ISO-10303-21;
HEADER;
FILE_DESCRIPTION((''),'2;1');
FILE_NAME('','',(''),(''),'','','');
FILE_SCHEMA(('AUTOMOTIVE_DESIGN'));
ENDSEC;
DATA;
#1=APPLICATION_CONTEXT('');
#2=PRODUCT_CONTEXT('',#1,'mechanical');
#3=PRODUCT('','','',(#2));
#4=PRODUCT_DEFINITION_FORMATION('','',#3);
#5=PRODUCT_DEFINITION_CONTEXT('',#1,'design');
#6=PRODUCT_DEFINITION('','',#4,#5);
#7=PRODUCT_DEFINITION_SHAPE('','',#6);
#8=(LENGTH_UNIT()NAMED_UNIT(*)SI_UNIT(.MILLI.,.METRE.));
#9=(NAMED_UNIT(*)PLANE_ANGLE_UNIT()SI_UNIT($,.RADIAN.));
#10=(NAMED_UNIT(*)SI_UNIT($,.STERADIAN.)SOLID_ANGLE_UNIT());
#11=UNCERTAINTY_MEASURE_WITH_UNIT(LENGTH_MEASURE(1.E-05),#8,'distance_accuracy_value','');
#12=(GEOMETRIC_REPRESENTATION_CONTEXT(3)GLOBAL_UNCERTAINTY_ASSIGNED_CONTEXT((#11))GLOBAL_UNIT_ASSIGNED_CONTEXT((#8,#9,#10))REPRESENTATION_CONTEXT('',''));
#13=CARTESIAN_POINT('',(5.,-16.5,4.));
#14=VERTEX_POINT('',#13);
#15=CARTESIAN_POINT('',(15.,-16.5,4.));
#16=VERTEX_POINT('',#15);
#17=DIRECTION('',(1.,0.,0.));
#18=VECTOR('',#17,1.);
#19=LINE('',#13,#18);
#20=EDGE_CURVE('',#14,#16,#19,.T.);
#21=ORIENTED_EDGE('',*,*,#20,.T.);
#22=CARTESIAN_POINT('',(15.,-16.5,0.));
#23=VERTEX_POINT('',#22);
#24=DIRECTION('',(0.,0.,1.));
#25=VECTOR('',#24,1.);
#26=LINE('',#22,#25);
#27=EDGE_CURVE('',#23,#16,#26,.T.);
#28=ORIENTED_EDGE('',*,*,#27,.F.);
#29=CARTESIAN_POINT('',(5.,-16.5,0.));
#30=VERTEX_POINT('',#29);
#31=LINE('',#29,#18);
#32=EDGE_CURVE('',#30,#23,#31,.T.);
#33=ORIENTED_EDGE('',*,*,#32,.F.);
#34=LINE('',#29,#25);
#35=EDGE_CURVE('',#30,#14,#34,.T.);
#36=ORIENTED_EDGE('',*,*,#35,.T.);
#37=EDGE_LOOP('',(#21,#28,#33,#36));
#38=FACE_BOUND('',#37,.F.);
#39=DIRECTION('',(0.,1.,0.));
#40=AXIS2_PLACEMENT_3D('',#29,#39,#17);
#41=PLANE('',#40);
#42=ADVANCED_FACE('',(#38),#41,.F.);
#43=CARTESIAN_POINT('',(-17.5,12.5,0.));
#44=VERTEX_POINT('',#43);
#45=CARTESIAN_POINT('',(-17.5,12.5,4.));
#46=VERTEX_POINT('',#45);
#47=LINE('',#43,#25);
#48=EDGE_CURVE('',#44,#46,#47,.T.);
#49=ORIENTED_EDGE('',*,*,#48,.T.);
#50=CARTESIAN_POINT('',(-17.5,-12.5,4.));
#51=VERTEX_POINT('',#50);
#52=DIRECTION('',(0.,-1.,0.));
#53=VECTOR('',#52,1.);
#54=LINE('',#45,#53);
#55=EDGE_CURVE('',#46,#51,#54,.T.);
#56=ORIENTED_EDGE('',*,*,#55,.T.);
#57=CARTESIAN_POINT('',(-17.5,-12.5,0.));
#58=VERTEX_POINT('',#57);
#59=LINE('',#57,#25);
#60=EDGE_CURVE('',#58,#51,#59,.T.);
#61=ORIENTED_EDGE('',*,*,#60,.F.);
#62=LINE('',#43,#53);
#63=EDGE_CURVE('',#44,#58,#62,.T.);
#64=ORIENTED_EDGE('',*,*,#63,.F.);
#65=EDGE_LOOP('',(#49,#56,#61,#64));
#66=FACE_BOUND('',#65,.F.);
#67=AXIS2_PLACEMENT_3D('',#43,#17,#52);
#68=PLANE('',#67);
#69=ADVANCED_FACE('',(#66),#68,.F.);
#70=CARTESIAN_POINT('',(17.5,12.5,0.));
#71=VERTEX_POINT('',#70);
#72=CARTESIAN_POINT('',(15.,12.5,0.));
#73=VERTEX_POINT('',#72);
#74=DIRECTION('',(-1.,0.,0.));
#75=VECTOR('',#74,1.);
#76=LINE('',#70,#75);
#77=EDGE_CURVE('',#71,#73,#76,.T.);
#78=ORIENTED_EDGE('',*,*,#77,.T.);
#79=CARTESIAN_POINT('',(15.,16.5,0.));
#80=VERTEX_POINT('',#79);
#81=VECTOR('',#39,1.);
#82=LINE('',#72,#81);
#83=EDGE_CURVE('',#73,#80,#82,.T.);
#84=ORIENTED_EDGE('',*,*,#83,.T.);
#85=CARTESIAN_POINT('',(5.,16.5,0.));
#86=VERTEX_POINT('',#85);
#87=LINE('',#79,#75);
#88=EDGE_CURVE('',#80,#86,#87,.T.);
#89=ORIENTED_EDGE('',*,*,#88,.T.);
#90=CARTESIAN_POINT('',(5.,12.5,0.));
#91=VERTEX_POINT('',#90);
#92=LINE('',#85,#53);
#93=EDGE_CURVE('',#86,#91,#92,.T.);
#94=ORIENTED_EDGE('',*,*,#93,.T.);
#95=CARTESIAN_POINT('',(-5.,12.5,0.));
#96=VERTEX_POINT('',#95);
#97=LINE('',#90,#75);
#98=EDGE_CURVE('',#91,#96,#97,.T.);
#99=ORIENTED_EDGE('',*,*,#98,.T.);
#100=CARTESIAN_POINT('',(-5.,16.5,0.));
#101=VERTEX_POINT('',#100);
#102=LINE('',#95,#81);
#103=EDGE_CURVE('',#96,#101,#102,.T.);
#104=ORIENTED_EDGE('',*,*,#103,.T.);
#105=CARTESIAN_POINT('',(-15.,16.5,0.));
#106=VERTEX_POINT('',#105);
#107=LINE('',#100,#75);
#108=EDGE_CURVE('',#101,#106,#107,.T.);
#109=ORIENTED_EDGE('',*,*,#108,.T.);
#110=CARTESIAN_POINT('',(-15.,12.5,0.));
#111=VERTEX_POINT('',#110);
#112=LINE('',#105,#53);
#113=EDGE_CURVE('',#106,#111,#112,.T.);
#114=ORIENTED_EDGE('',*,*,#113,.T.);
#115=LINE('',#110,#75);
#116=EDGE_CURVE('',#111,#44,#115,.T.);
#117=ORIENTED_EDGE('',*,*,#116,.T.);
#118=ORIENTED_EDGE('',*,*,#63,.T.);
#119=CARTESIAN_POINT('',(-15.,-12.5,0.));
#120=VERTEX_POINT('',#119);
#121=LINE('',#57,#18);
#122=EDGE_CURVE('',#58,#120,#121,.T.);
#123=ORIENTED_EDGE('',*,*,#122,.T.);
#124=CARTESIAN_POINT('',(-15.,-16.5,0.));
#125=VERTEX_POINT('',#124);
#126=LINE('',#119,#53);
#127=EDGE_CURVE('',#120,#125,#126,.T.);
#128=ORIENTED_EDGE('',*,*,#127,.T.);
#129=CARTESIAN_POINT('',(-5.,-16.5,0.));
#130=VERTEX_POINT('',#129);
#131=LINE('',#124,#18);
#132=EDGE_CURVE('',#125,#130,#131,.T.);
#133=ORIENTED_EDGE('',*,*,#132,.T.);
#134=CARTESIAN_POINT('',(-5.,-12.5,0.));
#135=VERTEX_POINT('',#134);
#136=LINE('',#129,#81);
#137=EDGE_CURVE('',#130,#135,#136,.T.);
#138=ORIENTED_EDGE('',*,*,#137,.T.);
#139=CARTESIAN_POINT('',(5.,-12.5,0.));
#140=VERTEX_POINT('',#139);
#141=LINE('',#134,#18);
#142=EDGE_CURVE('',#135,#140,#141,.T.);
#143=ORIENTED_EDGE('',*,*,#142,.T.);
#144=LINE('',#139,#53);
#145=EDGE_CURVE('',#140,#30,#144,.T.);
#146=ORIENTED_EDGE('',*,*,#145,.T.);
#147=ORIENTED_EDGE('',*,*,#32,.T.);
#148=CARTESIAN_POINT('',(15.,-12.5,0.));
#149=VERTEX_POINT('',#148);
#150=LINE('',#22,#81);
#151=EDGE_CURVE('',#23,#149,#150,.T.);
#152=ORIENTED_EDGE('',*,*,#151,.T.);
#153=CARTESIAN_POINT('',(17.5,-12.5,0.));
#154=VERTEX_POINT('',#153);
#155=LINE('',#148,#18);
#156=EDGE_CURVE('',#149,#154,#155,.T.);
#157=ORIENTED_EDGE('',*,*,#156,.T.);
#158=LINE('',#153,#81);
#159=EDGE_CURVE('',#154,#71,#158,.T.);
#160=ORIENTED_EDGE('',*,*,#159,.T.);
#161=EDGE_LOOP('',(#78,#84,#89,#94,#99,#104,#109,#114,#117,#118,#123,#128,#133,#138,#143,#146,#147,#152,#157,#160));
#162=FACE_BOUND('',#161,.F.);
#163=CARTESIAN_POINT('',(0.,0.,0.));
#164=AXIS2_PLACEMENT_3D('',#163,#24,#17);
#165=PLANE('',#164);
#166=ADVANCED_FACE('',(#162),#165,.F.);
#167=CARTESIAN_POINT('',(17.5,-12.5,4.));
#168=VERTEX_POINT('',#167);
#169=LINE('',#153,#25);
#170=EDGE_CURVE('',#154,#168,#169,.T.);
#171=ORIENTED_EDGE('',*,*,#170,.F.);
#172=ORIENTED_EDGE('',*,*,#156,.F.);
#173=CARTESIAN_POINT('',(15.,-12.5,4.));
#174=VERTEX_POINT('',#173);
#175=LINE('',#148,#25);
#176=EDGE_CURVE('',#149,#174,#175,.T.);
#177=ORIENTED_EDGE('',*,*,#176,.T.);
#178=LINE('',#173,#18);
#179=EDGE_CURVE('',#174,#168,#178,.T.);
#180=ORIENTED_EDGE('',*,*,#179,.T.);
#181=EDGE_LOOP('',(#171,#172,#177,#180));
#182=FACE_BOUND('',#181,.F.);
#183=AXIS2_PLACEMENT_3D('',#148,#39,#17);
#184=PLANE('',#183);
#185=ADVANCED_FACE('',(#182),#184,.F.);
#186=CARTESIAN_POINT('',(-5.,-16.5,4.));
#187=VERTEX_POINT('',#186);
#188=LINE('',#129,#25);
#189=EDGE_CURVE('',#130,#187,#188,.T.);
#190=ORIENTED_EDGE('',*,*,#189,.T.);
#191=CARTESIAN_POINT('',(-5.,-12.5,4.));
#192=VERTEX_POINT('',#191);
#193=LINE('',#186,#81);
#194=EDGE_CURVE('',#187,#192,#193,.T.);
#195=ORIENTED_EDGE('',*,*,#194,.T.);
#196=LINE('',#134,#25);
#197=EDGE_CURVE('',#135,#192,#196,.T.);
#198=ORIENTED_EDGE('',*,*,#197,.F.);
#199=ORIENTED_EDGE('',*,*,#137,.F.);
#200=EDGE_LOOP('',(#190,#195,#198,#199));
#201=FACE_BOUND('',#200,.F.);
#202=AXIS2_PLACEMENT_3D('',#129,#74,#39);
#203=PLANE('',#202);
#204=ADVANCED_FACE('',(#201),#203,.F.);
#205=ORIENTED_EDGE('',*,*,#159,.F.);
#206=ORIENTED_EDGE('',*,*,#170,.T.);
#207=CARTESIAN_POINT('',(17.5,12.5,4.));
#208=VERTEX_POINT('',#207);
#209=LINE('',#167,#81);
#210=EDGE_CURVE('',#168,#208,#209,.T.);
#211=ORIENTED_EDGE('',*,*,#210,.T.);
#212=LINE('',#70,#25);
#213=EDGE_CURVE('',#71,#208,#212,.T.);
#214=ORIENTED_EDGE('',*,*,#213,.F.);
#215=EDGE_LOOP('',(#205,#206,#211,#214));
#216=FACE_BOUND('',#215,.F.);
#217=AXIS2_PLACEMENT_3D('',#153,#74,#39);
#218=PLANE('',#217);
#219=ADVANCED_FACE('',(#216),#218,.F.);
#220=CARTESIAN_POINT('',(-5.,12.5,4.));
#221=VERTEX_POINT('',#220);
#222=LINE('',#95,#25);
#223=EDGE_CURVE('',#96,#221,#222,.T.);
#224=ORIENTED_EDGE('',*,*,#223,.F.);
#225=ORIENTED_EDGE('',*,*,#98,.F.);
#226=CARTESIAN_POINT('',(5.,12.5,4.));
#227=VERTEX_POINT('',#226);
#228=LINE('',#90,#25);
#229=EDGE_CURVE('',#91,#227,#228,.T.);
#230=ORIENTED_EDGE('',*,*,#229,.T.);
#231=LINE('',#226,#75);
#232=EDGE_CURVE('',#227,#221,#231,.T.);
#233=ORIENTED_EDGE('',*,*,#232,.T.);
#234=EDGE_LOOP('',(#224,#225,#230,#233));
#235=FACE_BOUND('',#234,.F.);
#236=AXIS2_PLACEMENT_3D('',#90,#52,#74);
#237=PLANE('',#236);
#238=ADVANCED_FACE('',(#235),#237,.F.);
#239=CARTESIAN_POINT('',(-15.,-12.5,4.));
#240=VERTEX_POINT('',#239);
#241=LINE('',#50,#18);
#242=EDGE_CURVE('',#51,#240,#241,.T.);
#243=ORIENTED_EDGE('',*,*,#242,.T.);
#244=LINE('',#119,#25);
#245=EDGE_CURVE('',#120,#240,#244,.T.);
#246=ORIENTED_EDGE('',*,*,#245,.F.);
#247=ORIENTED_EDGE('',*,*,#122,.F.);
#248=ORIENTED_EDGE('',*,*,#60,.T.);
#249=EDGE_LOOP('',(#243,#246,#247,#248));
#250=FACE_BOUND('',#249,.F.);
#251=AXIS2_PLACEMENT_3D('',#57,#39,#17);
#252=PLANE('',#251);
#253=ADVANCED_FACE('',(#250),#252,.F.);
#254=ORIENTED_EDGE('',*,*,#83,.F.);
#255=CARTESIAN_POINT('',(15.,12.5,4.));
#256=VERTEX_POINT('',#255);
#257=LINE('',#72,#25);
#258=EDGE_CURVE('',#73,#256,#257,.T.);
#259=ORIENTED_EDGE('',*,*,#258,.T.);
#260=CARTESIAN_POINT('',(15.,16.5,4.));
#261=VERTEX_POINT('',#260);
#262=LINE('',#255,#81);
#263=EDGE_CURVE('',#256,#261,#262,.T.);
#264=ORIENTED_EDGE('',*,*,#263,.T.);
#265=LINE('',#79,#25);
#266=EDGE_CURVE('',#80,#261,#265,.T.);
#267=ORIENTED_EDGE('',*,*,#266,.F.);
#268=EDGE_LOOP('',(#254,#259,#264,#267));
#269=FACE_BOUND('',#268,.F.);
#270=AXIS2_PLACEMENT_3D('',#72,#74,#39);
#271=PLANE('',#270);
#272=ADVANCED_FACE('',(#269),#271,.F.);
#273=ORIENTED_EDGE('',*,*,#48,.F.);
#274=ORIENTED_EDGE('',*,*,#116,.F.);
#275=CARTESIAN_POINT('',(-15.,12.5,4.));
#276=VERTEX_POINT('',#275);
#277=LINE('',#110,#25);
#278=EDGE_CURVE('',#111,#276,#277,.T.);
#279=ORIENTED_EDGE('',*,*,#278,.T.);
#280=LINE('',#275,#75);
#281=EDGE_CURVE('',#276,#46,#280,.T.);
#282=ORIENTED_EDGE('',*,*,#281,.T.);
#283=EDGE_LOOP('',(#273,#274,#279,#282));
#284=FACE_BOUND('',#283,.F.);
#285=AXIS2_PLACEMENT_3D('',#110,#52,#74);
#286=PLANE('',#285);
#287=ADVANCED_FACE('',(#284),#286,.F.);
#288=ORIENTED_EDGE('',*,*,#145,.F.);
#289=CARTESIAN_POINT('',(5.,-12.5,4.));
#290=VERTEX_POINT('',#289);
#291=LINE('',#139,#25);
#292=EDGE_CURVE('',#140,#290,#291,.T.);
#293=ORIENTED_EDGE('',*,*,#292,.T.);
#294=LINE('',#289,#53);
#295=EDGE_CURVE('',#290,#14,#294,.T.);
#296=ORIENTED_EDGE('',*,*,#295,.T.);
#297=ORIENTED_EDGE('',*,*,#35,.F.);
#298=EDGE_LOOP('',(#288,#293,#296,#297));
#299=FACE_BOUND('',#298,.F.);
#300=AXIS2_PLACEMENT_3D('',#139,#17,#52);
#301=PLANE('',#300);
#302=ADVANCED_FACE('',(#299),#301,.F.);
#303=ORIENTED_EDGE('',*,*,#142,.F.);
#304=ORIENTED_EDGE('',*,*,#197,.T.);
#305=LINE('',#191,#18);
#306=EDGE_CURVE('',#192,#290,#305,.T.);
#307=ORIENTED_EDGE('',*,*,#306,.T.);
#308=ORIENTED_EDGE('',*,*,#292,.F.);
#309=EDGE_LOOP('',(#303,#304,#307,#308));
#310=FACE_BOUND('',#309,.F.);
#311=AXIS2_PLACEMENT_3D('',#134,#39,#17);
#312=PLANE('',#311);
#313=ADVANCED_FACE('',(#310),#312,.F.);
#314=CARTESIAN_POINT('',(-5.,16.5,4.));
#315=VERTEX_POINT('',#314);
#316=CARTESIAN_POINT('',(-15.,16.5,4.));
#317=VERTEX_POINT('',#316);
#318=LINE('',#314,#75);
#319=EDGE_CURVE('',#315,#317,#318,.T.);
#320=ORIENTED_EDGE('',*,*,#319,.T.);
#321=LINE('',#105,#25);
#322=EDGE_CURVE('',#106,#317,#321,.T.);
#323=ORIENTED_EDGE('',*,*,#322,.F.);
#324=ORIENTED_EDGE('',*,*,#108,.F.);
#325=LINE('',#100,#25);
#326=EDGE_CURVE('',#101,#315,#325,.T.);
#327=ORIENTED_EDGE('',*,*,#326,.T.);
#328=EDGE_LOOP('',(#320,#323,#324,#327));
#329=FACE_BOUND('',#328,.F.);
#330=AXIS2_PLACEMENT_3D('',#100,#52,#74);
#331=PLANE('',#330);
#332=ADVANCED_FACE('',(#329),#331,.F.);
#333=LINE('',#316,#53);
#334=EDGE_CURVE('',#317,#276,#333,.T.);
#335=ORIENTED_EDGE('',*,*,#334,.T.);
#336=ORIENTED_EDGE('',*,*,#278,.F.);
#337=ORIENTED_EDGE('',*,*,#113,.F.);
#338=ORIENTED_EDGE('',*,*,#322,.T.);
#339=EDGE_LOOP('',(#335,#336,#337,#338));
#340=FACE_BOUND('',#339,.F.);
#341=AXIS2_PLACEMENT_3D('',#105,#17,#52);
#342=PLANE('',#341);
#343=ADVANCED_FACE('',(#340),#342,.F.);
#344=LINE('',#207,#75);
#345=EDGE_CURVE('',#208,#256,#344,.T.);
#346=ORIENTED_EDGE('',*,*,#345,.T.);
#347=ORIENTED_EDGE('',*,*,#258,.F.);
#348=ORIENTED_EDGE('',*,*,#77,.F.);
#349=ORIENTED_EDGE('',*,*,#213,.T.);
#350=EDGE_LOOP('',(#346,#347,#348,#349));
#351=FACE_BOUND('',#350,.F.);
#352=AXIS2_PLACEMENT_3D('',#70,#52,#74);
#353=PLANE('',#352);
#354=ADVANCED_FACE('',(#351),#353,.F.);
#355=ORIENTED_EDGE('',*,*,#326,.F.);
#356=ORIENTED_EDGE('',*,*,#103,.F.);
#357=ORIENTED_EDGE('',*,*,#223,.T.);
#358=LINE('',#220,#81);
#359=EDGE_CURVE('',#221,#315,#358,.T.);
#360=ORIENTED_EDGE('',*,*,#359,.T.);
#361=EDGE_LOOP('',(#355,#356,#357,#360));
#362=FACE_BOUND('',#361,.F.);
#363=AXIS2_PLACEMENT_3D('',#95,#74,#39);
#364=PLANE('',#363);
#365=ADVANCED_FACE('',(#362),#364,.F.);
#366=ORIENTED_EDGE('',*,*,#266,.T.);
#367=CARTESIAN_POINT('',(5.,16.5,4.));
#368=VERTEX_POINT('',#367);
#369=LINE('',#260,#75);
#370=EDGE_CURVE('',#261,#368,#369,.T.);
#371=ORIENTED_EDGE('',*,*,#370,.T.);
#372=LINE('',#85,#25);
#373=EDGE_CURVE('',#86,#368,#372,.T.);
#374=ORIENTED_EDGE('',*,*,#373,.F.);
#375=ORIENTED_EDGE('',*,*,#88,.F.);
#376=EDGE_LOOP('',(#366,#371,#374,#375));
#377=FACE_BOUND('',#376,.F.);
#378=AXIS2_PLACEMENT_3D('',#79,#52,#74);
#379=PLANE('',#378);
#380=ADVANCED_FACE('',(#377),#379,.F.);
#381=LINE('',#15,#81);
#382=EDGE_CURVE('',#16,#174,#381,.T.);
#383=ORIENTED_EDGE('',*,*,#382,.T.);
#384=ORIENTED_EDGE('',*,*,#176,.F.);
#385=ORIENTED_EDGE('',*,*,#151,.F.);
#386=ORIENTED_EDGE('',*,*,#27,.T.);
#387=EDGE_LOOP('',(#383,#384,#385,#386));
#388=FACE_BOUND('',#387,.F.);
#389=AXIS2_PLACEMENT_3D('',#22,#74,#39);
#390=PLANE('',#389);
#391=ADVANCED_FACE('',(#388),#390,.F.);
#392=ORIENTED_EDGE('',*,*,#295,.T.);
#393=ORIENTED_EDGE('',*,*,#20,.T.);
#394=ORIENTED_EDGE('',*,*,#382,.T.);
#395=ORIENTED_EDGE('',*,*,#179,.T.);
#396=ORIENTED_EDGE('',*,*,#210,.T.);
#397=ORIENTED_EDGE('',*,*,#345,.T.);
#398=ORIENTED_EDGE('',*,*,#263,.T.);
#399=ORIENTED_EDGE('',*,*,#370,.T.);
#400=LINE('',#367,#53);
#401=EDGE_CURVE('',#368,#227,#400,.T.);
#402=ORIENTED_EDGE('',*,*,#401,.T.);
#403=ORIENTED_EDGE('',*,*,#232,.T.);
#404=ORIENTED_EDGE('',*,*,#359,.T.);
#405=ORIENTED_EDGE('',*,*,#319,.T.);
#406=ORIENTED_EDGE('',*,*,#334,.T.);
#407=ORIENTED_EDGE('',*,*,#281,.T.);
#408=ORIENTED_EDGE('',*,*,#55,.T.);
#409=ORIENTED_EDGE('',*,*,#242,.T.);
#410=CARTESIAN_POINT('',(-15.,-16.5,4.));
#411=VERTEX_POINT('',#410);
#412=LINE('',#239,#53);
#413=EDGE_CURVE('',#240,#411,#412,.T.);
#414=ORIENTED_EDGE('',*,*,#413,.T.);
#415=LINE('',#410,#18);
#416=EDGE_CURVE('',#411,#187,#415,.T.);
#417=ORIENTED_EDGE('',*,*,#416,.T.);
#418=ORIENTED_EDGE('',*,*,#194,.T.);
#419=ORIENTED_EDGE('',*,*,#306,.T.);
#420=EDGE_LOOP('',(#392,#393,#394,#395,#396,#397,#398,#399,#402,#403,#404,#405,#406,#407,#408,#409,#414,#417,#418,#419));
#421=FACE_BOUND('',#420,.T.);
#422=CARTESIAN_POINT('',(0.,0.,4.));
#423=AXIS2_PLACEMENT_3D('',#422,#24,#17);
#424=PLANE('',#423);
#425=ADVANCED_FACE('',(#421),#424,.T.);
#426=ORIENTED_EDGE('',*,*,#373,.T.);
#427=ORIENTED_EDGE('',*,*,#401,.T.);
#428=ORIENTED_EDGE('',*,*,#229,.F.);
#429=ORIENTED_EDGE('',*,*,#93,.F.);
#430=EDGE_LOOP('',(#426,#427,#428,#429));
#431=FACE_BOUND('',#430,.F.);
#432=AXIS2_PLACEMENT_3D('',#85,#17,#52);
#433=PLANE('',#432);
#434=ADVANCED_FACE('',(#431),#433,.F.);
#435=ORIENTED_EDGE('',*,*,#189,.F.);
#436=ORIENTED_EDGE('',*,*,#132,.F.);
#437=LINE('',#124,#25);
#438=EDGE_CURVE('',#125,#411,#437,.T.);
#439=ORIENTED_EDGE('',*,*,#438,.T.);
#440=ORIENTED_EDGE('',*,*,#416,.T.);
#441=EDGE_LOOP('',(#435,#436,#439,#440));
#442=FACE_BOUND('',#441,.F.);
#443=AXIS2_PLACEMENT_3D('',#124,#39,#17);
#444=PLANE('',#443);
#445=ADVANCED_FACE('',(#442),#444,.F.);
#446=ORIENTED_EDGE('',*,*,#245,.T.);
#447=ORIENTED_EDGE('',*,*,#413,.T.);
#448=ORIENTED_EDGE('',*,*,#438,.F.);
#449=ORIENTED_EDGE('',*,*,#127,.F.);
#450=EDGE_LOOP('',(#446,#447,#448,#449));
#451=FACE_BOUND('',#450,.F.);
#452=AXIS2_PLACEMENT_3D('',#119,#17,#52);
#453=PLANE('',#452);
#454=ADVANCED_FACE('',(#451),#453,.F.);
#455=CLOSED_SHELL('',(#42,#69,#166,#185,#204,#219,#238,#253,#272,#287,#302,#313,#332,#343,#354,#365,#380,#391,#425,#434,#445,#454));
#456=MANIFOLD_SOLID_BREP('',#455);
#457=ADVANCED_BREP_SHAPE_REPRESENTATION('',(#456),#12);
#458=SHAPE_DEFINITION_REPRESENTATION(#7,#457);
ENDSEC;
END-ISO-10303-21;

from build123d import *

# Parameters (mm, degrees)
F1_DEPTH = 4


with BuildPart() as f1:
    # F0 (on Top) → F1 (new body)
    with BuildSketch(Plane.XY):
        Polygon((-17.5, 12.5), (-17.5, 0), (-17.5, -12.5), (-15, -12.5), (-15, -16.5), (-5, -16.5), (-5, -12.5), (0, -12.5), (5, -12.5), (5, -16.5), (15, -16.5), (15, -12.5), (17.5, -12.5), (17.5, 0), (17.5, 12.5), (15, 12.5), (15, 16.5), (5, 16.5), (5, 12.5), (0, 12.5), (-5, 12.5), (-5, 16.5), (-15, 16.5), (-15, 12.5), align=None)
    extrude(amount=F1_DEPTH)


solid = f1.part
